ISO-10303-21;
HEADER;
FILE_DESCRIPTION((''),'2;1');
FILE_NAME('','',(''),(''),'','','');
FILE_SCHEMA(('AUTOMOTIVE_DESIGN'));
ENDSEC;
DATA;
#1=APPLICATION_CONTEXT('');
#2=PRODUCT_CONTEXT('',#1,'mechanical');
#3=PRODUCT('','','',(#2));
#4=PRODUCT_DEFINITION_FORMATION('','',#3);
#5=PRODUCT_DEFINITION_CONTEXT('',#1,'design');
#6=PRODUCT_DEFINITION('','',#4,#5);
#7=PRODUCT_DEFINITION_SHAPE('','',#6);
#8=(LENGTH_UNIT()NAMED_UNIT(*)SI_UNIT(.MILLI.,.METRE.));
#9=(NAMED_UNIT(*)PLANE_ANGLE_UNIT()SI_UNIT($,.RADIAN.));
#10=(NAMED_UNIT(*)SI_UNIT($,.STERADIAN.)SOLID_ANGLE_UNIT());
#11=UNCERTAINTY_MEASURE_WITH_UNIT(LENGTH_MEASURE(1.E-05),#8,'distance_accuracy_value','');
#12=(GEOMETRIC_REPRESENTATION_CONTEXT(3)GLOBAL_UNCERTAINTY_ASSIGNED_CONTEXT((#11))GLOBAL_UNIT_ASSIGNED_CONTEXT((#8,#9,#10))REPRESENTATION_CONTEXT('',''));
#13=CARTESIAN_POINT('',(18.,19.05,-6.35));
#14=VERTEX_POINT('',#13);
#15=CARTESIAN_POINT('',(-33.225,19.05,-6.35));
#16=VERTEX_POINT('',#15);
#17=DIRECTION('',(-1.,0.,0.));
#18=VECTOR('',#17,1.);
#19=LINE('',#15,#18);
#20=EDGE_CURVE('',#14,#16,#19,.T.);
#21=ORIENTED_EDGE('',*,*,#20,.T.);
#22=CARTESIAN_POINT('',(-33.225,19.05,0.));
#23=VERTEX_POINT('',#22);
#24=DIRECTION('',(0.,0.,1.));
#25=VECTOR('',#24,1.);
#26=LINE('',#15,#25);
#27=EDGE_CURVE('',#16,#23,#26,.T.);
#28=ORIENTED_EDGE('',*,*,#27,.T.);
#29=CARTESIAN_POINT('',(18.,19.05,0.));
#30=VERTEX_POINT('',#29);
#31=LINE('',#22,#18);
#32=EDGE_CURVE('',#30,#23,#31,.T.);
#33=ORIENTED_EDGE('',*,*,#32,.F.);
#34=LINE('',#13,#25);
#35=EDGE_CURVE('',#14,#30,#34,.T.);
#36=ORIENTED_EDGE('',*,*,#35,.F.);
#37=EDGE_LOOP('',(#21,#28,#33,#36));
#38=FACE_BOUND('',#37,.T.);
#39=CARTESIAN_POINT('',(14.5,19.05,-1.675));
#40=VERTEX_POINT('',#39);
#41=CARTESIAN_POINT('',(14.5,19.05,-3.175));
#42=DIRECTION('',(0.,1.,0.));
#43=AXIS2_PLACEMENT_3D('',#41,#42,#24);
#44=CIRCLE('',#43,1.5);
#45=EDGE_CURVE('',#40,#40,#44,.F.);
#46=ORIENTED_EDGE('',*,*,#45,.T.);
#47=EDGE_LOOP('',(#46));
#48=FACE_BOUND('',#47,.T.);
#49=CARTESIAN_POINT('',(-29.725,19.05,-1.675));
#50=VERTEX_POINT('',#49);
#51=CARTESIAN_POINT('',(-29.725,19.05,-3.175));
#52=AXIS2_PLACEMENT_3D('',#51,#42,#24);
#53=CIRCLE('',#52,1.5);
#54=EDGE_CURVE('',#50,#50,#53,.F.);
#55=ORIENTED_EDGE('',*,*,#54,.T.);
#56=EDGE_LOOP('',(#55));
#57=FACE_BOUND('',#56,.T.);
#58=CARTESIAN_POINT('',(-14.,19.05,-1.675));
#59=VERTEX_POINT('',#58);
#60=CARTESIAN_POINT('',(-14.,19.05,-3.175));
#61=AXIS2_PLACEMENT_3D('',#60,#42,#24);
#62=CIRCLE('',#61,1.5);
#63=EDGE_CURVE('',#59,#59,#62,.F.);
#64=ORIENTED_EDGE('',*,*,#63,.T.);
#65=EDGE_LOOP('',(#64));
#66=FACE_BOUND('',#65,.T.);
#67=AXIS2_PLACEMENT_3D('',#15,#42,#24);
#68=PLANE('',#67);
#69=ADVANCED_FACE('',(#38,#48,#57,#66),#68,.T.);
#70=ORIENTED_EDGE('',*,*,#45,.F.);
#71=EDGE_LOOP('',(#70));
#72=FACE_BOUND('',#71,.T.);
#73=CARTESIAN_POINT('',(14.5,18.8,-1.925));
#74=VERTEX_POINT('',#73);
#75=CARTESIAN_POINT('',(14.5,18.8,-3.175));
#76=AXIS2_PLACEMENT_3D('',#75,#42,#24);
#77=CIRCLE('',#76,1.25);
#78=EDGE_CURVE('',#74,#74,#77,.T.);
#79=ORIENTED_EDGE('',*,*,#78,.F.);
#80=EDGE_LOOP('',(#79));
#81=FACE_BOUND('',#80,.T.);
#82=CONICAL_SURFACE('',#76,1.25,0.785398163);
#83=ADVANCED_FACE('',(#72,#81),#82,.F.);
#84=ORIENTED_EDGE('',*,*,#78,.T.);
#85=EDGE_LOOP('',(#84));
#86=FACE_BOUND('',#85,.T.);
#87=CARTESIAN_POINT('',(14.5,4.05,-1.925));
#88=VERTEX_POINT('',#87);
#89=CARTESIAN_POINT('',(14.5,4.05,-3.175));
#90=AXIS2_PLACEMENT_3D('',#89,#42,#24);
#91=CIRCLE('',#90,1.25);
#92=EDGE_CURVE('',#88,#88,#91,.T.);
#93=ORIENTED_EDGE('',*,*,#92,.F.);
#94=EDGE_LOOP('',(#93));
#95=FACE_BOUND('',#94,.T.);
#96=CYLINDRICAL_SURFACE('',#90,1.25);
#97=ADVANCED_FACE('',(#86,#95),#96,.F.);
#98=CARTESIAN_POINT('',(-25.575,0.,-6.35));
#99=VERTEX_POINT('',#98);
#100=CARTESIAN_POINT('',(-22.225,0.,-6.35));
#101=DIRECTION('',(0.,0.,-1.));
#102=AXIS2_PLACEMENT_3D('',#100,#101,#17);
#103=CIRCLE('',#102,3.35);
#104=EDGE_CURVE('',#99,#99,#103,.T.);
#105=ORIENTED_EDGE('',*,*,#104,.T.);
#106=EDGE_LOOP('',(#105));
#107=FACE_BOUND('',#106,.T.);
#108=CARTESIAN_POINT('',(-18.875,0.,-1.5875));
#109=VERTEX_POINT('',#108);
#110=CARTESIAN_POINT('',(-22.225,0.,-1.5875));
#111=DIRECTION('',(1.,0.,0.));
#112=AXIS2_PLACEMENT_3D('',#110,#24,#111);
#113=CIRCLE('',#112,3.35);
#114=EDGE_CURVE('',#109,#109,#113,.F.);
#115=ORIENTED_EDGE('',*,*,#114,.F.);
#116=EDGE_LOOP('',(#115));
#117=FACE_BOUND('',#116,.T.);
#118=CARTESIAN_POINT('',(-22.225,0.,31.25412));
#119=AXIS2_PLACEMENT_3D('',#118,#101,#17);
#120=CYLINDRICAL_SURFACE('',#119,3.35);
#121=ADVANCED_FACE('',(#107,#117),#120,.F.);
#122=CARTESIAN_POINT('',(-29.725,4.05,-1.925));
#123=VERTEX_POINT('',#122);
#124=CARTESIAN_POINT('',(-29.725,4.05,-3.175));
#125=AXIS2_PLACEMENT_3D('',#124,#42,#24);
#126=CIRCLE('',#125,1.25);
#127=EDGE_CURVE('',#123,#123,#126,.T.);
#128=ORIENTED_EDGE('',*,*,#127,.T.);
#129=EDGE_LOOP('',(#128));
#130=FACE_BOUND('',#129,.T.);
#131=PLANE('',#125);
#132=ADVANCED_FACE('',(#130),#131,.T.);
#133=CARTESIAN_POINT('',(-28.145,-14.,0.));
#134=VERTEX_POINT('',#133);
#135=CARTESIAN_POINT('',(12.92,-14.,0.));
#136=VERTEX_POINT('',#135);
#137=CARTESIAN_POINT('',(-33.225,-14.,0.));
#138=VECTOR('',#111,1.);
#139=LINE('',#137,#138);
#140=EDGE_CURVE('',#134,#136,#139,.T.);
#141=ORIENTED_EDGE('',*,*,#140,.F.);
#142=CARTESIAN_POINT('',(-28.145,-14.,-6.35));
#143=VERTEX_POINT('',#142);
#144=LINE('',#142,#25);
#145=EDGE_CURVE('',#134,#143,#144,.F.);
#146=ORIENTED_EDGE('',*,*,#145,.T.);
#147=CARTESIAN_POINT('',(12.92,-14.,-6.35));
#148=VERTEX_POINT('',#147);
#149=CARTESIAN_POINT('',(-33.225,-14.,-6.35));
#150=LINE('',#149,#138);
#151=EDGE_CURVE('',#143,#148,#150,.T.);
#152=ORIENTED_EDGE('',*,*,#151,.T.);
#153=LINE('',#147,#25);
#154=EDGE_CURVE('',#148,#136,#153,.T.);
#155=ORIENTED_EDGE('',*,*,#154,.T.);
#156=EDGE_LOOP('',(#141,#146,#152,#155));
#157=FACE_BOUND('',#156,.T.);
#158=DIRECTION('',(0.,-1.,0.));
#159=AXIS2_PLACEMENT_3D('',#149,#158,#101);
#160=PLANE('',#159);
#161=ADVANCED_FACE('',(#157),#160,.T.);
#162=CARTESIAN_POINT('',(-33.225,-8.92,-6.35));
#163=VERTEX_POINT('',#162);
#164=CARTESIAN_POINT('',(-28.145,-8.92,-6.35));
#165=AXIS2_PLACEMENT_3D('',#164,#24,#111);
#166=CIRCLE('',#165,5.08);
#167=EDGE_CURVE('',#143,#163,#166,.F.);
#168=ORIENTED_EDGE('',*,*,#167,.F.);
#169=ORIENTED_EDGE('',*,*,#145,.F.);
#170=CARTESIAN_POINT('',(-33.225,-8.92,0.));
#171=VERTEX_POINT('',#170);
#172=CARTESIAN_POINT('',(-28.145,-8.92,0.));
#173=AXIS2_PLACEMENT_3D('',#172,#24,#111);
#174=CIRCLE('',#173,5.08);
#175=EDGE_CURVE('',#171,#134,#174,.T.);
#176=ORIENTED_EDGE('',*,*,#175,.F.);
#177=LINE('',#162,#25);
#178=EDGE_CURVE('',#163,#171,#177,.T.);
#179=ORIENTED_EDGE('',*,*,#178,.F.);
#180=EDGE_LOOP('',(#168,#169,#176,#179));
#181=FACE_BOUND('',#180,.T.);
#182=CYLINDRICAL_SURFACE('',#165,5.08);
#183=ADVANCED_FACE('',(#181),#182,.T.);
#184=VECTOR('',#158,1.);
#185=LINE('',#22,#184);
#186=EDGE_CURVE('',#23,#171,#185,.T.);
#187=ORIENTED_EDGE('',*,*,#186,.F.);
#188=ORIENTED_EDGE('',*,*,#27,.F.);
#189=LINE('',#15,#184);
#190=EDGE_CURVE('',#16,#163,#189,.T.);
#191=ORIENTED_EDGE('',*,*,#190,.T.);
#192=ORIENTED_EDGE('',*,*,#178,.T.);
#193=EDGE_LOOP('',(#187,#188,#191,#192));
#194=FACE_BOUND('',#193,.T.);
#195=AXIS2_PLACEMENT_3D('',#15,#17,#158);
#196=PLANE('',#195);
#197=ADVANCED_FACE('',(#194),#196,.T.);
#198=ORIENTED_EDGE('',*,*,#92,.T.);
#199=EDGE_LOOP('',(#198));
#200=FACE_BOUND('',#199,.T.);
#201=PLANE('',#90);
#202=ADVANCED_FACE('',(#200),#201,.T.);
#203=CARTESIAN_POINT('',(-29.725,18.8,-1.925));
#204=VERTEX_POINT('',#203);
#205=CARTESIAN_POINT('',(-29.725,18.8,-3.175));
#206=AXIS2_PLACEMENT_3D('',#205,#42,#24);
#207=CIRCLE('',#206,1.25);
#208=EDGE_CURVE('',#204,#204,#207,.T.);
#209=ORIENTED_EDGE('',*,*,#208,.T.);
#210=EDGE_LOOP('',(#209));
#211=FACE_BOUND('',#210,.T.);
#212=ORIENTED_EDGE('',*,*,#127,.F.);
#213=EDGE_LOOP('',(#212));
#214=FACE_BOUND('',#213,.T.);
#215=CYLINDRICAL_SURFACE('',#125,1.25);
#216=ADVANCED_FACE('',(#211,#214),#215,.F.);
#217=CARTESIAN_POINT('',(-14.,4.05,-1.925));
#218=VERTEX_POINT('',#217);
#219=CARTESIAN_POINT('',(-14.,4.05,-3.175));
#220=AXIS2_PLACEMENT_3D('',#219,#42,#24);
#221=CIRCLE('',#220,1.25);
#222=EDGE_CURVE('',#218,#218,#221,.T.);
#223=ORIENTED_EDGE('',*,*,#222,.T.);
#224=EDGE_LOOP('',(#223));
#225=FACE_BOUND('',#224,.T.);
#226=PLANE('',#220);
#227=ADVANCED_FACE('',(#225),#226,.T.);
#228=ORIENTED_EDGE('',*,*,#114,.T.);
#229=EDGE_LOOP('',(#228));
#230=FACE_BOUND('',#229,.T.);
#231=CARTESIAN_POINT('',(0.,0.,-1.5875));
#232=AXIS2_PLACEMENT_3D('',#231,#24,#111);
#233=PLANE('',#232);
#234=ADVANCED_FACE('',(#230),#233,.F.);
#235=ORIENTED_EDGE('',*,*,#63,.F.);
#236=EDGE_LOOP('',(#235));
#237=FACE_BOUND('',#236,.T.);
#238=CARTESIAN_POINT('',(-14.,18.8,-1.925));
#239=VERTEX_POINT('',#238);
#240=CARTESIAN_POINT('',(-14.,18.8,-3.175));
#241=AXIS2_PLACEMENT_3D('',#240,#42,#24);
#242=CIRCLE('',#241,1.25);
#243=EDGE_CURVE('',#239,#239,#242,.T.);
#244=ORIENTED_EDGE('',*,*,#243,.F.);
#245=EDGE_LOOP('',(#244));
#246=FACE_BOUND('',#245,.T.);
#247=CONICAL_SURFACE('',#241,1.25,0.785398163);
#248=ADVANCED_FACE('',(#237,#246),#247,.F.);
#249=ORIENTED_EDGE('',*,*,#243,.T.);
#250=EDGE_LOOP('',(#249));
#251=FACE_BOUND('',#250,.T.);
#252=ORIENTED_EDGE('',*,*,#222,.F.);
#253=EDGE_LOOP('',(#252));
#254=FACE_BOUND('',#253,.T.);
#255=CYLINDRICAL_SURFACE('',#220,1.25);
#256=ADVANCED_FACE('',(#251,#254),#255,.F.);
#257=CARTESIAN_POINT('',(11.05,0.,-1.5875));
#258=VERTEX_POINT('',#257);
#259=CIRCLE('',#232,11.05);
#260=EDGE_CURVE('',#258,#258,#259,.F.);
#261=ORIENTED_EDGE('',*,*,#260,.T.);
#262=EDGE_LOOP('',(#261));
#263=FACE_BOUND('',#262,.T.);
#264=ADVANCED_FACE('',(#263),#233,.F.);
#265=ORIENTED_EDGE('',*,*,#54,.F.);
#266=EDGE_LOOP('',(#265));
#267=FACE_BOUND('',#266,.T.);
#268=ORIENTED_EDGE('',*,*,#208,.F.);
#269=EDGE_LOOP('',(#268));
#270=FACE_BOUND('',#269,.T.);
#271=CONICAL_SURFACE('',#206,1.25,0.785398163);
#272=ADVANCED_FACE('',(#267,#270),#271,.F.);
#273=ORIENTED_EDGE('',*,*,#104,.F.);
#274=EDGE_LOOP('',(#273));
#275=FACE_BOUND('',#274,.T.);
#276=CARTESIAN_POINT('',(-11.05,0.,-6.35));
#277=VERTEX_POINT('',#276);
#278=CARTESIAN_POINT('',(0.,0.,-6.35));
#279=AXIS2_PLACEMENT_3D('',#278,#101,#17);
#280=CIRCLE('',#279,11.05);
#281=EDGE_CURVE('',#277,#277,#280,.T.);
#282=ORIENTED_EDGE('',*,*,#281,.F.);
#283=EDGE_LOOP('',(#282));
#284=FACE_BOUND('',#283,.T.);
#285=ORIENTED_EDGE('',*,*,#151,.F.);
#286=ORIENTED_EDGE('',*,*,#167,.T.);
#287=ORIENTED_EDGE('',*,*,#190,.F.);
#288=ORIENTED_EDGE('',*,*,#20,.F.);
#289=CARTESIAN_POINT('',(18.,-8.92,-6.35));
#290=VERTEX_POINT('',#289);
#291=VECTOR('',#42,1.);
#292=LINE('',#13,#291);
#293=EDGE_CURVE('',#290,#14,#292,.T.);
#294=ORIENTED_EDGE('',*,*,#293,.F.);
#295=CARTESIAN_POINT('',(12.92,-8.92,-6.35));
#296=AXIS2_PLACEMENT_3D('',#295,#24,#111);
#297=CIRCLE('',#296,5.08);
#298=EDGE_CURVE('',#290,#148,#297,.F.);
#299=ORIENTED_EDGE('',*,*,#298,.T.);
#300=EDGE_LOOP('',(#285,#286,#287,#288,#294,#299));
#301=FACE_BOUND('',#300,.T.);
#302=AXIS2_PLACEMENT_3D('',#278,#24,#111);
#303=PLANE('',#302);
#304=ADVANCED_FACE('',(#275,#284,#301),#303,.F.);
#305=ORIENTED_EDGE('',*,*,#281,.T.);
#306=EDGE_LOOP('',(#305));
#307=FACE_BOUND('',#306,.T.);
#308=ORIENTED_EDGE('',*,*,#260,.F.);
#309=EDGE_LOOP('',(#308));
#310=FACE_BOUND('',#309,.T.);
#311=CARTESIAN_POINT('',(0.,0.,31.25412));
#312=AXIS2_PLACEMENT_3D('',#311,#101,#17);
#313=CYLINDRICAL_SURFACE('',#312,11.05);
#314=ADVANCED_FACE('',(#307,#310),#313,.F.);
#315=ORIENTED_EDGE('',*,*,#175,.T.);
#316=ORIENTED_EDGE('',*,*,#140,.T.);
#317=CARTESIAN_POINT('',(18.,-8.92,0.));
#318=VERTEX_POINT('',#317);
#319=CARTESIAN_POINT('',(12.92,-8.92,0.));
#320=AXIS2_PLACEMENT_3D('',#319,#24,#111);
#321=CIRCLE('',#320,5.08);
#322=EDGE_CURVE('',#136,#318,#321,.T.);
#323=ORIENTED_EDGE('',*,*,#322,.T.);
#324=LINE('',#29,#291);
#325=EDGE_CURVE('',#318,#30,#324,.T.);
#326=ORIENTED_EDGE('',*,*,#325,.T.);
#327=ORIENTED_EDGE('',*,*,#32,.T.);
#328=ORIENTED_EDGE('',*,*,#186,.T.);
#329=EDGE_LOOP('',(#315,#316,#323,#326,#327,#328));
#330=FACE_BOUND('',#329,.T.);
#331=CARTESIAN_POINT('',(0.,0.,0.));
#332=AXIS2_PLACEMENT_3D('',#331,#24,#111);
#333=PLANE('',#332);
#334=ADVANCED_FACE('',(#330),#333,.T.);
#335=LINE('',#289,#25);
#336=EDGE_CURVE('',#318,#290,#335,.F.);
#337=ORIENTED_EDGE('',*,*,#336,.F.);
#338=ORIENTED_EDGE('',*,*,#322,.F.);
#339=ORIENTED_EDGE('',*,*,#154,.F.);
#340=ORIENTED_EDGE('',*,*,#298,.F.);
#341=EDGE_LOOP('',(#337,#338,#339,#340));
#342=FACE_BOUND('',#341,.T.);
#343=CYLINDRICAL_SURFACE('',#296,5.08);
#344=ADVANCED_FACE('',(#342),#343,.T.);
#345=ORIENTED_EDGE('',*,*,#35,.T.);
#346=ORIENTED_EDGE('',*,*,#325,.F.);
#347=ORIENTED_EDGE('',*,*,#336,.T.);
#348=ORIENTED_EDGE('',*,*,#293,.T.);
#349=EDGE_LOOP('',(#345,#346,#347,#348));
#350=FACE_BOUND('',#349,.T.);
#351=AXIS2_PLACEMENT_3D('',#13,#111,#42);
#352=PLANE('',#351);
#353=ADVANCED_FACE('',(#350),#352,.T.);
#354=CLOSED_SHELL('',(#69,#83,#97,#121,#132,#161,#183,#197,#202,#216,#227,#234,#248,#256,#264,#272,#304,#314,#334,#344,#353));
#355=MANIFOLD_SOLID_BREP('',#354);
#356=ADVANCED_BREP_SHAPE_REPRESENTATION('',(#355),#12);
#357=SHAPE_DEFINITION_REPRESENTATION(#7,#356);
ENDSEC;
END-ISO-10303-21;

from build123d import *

# Parameters (mm, degrees)
SKETCH1_W           = 51.225
SKETCH1_H           = 33.05
BOSS_EXTRUDE1_DEPTH = 6.35
SKETCH8_R           = 1.25
CUT_EXTRUDE4_DEPTH  = 15
FILLET3_R           = 5.08
SKETCH10_R          = 3.35
SKETCH10_R_2        = 11.05
CUT_EXTRUDE5_DEPTH  = 4.7625
CHAMFER1_SIZE       = 0.25


with BuildPart() as part:
    # Sketch1 → Boss-Extrude1 (new body)
    with BuildSketch(Plane.XY):
        with Locations((-7.6125, 2.525)):
            Rectangle(SKETCH1_W, SKETCH1_H)
    extrude(amount=-BOSS_EXTRUDE1_DEPTH)

    # Sketch8 → Cut-Extrude4 (cut)
    with BuildSketch(Plane(origin=(0, 19.05, 0), x_dir=(1, 0, 0), z_dir=(0, 1, 0))):
        with Locations(Location((-29.725, 3.175, 0), (0, 0, 270))):
            Circle(SKETCH8_R)
        with Locations(Location((-14, 3.175, 0), (0, 0, 270))):
            Circle(SKETCH8_R)
        with Locations(Location((14.5, 3.175, 0), (0, 0, 270))):
            Circle(SKETCH8_R)
    extrude(amount=-CUT_EXTRUDE4_DEPTH, mode=Mode.SUBTRACT)

    # Fillet3
    fillet3_edges = [part.edges().sort_by_distance(p)[0] for p in [
        (18, -14, -3.175),
        (-33.225, -14, -3.175),
    ]]
    fillet(fillet3_edges, radius=FILLET3_R)

    # Sketch10 → Cut-Extrude5 (cut)
    with BuildSketch(Plane(origin=(0, 0, -6.35), x_dir=(-1, 0, 0), z_dir=(0, 0, -1))):
        with Locations((22.225, 0)):
            Circle(SKETCH10_R)
        Circle(SKETCH10_R_2)
    extrude(amount=-CUT_EXTRUDE5_DEPTH, mode=Mode.SUBTRACT)

    # Chamfer1
    chamfer1_edges = [part.edges().sort_by_distance(p)[0] for p in [
        (-29.725, 19.05, -4.425),
        (-14, 19.05, -4.425),
        (14.5, 19.05, -4.425),
    ]]
    chamfer(chamfer1_edges, length=CHAMFER1_SIZE)


solid = part.part
